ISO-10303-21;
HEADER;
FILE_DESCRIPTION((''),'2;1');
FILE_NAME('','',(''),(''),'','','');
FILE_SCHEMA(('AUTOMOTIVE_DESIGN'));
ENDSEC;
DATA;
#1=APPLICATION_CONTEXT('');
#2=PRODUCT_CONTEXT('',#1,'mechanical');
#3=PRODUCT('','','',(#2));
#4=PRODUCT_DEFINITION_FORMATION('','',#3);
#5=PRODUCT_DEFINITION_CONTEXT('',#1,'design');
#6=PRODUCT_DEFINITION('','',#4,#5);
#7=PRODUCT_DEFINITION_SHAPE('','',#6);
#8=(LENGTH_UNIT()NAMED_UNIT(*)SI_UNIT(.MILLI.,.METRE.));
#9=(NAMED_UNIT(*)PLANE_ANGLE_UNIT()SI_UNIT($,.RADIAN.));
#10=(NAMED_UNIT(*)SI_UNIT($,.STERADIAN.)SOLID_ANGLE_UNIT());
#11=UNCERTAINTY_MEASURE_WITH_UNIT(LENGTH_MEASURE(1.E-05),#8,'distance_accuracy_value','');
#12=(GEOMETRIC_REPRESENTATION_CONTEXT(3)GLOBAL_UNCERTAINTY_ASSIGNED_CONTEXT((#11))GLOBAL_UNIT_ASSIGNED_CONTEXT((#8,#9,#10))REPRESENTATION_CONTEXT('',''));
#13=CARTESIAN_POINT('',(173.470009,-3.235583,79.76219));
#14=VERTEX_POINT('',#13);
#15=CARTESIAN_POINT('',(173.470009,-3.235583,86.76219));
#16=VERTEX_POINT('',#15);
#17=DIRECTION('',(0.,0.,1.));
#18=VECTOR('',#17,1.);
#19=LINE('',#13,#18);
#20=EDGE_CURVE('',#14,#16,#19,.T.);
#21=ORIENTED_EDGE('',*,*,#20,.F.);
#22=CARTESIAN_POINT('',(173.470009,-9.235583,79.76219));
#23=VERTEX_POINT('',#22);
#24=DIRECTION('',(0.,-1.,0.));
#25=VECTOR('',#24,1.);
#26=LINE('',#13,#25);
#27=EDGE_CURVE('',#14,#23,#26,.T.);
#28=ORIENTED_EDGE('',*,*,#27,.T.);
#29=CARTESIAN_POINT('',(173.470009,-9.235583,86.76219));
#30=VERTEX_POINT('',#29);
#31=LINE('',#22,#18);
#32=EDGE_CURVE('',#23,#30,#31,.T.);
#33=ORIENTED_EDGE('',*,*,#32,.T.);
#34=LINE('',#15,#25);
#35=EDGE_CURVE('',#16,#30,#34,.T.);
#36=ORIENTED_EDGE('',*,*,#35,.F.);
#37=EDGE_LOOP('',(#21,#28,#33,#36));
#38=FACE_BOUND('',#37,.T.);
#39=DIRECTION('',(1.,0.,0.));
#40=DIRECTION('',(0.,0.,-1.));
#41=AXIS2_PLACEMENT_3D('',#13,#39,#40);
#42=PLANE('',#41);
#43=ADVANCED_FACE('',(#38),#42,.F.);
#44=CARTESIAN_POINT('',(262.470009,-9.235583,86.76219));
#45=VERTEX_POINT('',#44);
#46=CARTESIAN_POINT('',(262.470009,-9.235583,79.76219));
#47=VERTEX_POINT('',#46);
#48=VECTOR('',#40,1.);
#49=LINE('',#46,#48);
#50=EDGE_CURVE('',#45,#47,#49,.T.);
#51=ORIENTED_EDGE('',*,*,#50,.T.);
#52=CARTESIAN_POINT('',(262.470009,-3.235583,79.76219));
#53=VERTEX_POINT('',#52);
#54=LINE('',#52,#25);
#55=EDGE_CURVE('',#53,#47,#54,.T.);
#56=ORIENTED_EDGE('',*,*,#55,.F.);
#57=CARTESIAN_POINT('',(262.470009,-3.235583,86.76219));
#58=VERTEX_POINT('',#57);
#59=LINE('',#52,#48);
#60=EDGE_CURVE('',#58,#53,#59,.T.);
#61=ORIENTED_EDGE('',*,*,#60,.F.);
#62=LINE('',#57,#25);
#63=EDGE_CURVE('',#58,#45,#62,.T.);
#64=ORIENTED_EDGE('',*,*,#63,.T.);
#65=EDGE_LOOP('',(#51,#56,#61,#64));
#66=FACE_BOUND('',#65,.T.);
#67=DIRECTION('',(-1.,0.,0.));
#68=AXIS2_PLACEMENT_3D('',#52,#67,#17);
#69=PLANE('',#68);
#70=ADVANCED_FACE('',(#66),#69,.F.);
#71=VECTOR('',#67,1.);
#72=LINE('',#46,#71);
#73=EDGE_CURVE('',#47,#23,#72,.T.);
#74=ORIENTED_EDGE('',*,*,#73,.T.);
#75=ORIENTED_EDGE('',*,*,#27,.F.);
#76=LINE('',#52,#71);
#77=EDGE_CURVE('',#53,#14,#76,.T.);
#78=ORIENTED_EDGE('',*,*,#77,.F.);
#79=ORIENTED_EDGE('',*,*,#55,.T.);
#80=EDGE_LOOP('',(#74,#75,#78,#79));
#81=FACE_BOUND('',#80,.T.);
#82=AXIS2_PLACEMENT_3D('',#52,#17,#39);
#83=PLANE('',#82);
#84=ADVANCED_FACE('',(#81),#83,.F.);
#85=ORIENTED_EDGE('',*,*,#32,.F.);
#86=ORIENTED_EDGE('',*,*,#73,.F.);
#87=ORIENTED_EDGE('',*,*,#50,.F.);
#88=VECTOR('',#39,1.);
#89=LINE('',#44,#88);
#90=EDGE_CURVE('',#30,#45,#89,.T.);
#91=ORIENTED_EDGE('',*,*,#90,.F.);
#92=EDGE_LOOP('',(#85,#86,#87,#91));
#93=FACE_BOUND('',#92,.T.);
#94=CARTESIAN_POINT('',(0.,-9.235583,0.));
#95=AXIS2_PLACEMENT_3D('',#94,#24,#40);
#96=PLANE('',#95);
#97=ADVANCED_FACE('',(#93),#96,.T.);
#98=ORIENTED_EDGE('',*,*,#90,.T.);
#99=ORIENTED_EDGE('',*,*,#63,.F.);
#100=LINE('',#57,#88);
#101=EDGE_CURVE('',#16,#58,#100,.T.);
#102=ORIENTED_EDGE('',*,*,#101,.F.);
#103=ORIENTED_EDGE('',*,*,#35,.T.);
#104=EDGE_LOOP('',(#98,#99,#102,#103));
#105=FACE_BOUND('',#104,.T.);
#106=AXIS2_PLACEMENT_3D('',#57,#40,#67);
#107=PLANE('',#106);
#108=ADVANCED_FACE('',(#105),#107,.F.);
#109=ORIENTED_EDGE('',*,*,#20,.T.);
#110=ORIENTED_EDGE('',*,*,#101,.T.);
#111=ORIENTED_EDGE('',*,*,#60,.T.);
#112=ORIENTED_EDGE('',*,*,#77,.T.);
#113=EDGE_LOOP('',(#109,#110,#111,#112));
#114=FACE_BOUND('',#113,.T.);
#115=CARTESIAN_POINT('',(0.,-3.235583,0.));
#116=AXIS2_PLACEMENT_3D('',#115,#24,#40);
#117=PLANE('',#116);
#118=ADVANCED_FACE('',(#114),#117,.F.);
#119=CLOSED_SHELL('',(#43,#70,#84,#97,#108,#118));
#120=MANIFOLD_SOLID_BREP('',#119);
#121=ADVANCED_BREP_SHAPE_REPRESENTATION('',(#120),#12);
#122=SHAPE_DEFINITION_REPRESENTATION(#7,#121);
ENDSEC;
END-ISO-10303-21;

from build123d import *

# Parameters (mm, degrees)
BOSS_EXTRUDE1_DEPTH      = 1
BOSS_EXTRUDE1_DEPTH_BACK = 5
SKETCH1_W                = 89
SKETCH1_H                = 7


with BuildPart() as part:
    # Sketch1 → Boss-Extrude1 (new, two sides: drawn at the far end of the back side and taken through both)
    with BuildSketch(Plane(origin=(0, -4.235583409, 0), x_dir=(1, 0, 0), z_dir=(0, 1, 0)).offset(-BOSS_EXTRUDE1_DEPTH_BACK)):
        with Locations((217.970008794, -83.262189681)):
            Rectangle(SKETCH1_W, SKETCH1_H)
    extrude(amount=BOSS_EXTRUDE1_DEPTH + BOSS_EXTRUDE1_DEPTH_BACK)


solid = part.part
